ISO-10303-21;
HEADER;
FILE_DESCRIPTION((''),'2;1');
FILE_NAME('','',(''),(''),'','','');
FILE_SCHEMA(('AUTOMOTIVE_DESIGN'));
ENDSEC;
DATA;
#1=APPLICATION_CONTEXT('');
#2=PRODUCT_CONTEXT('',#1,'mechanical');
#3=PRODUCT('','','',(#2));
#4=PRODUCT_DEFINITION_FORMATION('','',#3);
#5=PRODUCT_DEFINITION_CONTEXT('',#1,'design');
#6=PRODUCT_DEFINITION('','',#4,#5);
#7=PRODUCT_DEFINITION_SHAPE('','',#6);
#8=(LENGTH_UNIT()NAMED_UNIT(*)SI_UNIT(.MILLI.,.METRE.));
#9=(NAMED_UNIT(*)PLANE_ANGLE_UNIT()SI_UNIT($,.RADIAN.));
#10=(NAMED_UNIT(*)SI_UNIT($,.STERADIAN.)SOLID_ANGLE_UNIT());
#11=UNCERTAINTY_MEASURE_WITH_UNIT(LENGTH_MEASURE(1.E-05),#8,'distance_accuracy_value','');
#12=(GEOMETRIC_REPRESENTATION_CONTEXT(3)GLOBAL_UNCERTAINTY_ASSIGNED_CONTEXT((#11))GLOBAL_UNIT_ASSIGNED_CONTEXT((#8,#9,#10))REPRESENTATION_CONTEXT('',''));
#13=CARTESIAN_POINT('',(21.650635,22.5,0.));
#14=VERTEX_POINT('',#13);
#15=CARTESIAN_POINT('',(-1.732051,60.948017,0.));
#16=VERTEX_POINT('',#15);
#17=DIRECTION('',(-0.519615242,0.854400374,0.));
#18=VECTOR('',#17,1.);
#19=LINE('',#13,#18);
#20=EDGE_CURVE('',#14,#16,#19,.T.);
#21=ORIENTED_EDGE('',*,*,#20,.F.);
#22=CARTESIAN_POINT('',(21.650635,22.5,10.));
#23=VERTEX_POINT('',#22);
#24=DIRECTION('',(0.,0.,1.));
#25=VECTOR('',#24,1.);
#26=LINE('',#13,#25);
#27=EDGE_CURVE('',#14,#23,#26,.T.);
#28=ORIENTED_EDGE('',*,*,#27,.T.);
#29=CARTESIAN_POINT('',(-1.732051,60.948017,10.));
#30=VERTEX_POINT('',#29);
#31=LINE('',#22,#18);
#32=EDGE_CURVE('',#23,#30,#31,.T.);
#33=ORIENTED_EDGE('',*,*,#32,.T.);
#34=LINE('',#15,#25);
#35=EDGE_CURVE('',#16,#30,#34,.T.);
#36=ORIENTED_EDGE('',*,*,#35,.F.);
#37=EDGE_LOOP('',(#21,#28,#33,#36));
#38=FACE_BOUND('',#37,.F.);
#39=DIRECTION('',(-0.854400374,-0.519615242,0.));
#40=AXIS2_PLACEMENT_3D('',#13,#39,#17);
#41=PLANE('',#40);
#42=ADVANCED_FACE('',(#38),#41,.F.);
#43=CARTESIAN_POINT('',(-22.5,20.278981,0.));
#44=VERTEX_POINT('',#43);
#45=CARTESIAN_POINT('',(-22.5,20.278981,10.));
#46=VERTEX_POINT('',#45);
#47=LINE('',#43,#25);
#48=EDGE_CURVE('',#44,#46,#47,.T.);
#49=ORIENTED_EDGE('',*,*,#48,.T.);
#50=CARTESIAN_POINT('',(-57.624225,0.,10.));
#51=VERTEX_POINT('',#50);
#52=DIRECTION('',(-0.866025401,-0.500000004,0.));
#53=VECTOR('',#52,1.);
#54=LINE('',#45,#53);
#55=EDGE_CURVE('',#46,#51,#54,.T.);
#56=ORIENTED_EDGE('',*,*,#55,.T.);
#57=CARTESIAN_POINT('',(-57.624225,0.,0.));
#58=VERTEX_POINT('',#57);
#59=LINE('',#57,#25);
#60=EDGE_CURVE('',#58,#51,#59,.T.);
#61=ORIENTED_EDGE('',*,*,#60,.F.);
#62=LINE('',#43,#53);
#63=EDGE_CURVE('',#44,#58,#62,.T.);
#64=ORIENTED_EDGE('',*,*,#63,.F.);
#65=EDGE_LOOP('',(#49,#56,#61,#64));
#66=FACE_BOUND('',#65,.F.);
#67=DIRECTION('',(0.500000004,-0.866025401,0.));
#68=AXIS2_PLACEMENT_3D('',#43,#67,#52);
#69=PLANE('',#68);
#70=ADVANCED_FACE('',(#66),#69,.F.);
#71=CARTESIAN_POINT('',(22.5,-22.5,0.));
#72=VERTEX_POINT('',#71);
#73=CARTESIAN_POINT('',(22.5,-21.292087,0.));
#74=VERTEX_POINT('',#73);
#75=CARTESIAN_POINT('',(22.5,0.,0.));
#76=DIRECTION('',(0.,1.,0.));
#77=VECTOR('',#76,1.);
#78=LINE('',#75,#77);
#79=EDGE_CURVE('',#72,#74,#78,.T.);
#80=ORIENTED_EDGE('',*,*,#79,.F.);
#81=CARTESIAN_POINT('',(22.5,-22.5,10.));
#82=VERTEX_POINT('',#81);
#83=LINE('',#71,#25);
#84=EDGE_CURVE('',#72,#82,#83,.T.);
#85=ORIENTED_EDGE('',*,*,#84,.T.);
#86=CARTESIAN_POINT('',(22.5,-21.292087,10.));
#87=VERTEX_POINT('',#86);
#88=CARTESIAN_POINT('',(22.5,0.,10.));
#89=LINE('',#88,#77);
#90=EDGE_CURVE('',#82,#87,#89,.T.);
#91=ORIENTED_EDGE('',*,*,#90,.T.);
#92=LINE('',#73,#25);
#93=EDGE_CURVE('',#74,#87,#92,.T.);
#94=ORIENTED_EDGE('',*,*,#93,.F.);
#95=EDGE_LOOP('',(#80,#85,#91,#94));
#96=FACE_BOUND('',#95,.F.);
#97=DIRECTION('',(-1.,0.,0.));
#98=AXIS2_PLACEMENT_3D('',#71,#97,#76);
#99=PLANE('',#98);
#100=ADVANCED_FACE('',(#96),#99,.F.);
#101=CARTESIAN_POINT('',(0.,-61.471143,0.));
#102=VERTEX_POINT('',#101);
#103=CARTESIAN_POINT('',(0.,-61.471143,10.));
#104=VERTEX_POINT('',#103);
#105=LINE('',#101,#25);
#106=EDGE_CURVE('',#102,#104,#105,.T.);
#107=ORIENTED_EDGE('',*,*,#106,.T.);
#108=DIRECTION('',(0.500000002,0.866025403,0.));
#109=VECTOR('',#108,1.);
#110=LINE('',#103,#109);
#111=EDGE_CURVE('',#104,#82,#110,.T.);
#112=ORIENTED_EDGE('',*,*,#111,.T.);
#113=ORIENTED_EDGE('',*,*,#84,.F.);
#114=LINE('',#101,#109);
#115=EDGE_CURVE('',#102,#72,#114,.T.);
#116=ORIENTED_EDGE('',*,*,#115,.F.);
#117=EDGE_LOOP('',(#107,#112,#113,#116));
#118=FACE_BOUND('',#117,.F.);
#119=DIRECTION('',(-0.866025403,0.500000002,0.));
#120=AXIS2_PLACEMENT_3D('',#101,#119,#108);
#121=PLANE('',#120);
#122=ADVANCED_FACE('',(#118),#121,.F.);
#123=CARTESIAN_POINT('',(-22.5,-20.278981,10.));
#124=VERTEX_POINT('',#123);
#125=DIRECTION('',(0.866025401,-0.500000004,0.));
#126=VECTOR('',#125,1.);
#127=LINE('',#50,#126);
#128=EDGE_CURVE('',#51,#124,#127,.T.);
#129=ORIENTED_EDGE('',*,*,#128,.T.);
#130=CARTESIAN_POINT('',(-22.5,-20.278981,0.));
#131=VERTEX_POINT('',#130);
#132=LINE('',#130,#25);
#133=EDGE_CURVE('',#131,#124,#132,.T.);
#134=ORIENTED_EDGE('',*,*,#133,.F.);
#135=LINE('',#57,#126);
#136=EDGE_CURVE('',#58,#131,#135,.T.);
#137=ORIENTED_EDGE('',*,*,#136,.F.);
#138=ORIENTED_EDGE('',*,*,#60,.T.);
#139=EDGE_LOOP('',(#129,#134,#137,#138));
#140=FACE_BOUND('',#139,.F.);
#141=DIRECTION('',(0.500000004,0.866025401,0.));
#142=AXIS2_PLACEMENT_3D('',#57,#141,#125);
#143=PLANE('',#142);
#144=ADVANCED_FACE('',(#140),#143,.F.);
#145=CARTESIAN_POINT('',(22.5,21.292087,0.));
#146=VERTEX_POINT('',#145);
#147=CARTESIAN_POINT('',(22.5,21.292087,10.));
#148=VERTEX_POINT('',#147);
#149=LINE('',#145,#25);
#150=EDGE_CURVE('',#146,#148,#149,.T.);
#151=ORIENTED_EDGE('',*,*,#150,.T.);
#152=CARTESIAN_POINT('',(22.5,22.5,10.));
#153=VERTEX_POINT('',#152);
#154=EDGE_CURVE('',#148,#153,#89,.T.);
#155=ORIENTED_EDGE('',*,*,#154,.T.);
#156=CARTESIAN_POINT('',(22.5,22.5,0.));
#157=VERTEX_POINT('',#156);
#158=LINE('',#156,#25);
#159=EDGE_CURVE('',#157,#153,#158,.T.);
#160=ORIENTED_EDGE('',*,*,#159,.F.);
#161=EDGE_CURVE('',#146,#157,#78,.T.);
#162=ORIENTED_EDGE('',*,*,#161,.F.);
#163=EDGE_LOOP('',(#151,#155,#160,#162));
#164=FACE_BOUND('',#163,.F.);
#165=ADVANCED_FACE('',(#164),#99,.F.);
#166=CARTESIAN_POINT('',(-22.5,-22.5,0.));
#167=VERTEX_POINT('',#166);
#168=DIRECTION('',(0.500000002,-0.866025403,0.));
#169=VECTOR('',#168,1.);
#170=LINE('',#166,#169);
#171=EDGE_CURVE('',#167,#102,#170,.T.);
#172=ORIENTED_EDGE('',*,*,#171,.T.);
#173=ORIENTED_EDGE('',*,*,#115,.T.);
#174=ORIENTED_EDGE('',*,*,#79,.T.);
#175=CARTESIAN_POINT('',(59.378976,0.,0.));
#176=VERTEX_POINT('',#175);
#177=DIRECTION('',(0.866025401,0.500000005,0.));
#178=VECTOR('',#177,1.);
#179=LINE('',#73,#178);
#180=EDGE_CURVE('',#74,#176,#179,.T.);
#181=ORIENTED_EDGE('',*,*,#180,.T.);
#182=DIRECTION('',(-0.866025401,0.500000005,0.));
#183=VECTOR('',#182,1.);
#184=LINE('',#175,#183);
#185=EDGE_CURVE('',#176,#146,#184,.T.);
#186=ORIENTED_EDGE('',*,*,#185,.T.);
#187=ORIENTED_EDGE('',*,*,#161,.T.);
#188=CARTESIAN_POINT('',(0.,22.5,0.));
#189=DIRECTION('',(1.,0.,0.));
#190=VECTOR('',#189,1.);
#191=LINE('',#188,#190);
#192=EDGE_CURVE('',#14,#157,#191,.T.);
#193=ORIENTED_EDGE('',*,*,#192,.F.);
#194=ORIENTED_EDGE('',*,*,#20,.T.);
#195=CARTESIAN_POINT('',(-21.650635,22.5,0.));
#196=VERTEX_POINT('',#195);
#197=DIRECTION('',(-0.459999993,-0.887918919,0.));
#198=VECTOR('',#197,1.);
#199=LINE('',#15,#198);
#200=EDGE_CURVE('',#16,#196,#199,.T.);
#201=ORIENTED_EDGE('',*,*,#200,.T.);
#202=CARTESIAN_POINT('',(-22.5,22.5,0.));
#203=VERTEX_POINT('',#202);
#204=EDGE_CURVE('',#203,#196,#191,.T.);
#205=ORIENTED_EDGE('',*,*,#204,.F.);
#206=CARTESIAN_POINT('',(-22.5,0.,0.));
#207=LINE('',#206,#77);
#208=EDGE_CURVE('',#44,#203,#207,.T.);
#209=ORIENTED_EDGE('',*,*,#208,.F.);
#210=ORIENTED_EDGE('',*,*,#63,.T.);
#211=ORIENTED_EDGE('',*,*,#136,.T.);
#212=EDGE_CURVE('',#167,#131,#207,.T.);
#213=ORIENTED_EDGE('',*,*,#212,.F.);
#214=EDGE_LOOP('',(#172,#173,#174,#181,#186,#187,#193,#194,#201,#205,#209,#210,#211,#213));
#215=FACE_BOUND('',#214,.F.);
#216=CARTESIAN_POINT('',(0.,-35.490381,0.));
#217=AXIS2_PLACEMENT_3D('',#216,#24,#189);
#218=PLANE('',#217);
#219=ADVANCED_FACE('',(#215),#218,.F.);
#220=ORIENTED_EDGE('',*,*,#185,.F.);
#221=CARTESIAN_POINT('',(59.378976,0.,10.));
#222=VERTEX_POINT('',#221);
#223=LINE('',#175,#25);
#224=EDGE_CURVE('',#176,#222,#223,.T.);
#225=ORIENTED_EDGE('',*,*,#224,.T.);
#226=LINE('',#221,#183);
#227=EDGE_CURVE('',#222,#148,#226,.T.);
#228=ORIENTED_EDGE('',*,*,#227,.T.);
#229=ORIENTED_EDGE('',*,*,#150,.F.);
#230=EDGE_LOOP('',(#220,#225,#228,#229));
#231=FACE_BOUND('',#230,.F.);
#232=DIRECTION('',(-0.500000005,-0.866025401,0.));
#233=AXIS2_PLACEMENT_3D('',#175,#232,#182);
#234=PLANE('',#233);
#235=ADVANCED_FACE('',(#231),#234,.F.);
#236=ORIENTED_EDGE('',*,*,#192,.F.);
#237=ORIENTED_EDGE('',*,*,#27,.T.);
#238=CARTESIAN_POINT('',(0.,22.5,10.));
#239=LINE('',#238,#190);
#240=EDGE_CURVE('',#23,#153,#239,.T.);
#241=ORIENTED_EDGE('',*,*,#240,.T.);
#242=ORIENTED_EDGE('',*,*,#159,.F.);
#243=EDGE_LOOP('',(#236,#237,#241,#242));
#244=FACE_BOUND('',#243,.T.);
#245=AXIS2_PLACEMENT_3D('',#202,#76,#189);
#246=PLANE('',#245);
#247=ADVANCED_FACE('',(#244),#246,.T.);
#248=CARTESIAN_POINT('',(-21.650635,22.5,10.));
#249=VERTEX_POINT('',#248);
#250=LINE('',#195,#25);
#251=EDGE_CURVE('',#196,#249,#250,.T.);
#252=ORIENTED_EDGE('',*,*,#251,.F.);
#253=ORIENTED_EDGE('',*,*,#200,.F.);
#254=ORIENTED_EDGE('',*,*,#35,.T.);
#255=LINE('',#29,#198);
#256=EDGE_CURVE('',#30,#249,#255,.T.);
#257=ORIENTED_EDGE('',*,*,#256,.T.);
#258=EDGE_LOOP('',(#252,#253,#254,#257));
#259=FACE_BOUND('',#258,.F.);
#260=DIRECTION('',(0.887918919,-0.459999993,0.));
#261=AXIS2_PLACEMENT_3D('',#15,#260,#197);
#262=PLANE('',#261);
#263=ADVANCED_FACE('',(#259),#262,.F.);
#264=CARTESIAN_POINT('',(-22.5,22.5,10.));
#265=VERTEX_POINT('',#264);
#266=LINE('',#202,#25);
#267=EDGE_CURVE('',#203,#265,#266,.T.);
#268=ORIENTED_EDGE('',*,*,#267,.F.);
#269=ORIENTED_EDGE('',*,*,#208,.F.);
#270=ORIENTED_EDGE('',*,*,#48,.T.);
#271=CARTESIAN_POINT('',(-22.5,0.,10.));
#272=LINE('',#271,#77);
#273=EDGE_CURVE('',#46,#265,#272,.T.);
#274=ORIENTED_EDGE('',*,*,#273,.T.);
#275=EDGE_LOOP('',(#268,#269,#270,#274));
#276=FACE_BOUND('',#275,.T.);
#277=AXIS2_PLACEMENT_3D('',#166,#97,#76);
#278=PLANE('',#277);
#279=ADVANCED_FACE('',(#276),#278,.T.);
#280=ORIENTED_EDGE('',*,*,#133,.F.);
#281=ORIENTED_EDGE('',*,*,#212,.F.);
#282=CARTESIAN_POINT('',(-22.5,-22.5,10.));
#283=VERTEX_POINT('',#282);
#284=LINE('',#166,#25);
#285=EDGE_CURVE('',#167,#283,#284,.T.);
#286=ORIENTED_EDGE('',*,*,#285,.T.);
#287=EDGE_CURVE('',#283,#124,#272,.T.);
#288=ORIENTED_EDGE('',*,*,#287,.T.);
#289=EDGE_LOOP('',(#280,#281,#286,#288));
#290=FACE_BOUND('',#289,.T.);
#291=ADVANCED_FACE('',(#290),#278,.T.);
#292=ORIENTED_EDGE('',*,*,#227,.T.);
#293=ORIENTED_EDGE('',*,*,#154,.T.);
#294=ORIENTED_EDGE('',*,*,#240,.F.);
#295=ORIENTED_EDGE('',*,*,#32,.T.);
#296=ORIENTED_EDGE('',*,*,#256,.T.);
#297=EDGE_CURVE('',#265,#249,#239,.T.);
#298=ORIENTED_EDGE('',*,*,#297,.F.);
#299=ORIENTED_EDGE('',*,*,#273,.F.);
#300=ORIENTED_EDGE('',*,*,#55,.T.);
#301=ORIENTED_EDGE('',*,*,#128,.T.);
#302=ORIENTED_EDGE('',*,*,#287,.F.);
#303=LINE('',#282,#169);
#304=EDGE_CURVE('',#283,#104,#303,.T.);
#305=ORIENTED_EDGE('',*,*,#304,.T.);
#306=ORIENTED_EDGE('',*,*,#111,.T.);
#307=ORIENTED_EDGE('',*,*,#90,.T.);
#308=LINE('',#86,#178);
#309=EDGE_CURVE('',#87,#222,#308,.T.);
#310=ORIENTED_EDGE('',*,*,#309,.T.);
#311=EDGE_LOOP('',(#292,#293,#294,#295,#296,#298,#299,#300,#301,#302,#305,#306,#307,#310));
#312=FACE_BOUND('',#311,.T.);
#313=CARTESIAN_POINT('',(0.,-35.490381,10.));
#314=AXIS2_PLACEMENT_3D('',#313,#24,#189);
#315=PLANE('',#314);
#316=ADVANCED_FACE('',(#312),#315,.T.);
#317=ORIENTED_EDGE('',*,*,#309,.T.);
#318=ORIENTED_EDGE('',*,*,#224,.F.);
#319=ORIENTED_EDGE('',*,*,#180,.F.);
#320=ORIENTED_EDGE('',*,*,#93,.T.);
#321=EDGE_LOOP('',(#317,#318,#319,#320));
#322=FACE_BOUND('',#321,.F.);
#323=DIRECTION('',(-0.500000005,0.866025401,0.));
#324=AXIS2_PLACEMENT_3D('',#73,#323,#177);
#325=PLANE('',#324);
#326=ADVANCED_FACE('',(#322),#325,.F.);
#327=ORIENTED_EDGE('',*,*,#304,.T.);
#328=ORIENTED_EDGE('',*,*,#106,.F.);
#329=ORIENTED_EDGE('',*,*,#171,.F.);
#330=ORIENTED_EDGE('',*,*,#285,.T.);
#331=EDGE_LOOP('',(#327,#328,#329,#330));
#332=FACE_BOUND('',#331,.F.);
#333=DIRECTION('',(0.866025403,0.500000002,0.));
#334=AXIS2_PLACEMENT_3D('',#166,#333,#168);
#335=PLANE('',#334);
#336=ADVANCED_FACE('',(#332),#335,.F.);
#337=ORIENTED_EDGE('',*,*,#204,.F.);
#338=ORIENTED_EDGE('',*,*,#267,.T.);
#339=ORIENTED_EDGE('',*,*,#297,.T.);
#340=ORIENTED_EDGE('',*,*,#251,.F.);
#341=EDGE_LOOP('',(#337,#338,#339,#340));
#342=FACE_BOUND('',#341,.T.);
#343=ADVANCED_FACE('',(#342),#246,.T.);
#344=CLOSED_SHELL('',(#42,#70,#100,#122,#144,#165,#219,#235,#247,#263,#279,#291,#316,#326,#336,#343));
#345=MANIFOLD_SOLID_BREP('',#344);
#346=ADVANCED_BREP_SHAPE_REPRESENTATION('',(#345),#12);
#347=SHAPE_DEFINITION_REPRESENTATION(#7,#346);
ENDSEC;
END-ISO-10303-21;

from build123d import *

# Parameters (mm, degrees)
F0_W     = 45
F0_H     = 45
F1_DEPTH = 10
F3_DEPTH = 10
F5_DEPTH = 10
F7_DEPTH = 10
F9_DEPTH = 10


with BuildPart() as f1:
    # F0 (on Top) → F1 (new body)
    with BuildSketch(Plane.XY):
        Rectangle(F0_W, F0_H)
    extrude(amount=F1_DEPTH)

    # F2 (on Top) → F3 (join)
    with BuildSketch(Plane.XY):
        Polygon((-21.650635, 22.5), (21.650635, 22.5), (-1.732051, 60.948017), align=None)
    extrude(amount=F3_DEPTH)

    # F4 (on Top) → F5 (join)
    with BuildSketch(Plane.XY):
        Polygon((22.5, -21.292087), (59.378976, 0), (22.5, 21.292087), align=None)
    extrude(amount=F5_DEPTH)

    # F6 (on Top) → F7 (join)
    with BuildSketch(Plane.XY):
        Polygon((-22.5, -22.5), (0, -61.471143), (22.5, -22.5), align=None)
    extrude(amount=F7_DEPTH)

    # F8 (on Top) → F9 (join)
    with BuildSketch(Plane.XY):
        Polygon((-22.5, 20.278981), (-57.624225, 0), (-22.5, -20.278981), align=None)
    extrude(amount=F9_DEPTH)


solid = f1.part
